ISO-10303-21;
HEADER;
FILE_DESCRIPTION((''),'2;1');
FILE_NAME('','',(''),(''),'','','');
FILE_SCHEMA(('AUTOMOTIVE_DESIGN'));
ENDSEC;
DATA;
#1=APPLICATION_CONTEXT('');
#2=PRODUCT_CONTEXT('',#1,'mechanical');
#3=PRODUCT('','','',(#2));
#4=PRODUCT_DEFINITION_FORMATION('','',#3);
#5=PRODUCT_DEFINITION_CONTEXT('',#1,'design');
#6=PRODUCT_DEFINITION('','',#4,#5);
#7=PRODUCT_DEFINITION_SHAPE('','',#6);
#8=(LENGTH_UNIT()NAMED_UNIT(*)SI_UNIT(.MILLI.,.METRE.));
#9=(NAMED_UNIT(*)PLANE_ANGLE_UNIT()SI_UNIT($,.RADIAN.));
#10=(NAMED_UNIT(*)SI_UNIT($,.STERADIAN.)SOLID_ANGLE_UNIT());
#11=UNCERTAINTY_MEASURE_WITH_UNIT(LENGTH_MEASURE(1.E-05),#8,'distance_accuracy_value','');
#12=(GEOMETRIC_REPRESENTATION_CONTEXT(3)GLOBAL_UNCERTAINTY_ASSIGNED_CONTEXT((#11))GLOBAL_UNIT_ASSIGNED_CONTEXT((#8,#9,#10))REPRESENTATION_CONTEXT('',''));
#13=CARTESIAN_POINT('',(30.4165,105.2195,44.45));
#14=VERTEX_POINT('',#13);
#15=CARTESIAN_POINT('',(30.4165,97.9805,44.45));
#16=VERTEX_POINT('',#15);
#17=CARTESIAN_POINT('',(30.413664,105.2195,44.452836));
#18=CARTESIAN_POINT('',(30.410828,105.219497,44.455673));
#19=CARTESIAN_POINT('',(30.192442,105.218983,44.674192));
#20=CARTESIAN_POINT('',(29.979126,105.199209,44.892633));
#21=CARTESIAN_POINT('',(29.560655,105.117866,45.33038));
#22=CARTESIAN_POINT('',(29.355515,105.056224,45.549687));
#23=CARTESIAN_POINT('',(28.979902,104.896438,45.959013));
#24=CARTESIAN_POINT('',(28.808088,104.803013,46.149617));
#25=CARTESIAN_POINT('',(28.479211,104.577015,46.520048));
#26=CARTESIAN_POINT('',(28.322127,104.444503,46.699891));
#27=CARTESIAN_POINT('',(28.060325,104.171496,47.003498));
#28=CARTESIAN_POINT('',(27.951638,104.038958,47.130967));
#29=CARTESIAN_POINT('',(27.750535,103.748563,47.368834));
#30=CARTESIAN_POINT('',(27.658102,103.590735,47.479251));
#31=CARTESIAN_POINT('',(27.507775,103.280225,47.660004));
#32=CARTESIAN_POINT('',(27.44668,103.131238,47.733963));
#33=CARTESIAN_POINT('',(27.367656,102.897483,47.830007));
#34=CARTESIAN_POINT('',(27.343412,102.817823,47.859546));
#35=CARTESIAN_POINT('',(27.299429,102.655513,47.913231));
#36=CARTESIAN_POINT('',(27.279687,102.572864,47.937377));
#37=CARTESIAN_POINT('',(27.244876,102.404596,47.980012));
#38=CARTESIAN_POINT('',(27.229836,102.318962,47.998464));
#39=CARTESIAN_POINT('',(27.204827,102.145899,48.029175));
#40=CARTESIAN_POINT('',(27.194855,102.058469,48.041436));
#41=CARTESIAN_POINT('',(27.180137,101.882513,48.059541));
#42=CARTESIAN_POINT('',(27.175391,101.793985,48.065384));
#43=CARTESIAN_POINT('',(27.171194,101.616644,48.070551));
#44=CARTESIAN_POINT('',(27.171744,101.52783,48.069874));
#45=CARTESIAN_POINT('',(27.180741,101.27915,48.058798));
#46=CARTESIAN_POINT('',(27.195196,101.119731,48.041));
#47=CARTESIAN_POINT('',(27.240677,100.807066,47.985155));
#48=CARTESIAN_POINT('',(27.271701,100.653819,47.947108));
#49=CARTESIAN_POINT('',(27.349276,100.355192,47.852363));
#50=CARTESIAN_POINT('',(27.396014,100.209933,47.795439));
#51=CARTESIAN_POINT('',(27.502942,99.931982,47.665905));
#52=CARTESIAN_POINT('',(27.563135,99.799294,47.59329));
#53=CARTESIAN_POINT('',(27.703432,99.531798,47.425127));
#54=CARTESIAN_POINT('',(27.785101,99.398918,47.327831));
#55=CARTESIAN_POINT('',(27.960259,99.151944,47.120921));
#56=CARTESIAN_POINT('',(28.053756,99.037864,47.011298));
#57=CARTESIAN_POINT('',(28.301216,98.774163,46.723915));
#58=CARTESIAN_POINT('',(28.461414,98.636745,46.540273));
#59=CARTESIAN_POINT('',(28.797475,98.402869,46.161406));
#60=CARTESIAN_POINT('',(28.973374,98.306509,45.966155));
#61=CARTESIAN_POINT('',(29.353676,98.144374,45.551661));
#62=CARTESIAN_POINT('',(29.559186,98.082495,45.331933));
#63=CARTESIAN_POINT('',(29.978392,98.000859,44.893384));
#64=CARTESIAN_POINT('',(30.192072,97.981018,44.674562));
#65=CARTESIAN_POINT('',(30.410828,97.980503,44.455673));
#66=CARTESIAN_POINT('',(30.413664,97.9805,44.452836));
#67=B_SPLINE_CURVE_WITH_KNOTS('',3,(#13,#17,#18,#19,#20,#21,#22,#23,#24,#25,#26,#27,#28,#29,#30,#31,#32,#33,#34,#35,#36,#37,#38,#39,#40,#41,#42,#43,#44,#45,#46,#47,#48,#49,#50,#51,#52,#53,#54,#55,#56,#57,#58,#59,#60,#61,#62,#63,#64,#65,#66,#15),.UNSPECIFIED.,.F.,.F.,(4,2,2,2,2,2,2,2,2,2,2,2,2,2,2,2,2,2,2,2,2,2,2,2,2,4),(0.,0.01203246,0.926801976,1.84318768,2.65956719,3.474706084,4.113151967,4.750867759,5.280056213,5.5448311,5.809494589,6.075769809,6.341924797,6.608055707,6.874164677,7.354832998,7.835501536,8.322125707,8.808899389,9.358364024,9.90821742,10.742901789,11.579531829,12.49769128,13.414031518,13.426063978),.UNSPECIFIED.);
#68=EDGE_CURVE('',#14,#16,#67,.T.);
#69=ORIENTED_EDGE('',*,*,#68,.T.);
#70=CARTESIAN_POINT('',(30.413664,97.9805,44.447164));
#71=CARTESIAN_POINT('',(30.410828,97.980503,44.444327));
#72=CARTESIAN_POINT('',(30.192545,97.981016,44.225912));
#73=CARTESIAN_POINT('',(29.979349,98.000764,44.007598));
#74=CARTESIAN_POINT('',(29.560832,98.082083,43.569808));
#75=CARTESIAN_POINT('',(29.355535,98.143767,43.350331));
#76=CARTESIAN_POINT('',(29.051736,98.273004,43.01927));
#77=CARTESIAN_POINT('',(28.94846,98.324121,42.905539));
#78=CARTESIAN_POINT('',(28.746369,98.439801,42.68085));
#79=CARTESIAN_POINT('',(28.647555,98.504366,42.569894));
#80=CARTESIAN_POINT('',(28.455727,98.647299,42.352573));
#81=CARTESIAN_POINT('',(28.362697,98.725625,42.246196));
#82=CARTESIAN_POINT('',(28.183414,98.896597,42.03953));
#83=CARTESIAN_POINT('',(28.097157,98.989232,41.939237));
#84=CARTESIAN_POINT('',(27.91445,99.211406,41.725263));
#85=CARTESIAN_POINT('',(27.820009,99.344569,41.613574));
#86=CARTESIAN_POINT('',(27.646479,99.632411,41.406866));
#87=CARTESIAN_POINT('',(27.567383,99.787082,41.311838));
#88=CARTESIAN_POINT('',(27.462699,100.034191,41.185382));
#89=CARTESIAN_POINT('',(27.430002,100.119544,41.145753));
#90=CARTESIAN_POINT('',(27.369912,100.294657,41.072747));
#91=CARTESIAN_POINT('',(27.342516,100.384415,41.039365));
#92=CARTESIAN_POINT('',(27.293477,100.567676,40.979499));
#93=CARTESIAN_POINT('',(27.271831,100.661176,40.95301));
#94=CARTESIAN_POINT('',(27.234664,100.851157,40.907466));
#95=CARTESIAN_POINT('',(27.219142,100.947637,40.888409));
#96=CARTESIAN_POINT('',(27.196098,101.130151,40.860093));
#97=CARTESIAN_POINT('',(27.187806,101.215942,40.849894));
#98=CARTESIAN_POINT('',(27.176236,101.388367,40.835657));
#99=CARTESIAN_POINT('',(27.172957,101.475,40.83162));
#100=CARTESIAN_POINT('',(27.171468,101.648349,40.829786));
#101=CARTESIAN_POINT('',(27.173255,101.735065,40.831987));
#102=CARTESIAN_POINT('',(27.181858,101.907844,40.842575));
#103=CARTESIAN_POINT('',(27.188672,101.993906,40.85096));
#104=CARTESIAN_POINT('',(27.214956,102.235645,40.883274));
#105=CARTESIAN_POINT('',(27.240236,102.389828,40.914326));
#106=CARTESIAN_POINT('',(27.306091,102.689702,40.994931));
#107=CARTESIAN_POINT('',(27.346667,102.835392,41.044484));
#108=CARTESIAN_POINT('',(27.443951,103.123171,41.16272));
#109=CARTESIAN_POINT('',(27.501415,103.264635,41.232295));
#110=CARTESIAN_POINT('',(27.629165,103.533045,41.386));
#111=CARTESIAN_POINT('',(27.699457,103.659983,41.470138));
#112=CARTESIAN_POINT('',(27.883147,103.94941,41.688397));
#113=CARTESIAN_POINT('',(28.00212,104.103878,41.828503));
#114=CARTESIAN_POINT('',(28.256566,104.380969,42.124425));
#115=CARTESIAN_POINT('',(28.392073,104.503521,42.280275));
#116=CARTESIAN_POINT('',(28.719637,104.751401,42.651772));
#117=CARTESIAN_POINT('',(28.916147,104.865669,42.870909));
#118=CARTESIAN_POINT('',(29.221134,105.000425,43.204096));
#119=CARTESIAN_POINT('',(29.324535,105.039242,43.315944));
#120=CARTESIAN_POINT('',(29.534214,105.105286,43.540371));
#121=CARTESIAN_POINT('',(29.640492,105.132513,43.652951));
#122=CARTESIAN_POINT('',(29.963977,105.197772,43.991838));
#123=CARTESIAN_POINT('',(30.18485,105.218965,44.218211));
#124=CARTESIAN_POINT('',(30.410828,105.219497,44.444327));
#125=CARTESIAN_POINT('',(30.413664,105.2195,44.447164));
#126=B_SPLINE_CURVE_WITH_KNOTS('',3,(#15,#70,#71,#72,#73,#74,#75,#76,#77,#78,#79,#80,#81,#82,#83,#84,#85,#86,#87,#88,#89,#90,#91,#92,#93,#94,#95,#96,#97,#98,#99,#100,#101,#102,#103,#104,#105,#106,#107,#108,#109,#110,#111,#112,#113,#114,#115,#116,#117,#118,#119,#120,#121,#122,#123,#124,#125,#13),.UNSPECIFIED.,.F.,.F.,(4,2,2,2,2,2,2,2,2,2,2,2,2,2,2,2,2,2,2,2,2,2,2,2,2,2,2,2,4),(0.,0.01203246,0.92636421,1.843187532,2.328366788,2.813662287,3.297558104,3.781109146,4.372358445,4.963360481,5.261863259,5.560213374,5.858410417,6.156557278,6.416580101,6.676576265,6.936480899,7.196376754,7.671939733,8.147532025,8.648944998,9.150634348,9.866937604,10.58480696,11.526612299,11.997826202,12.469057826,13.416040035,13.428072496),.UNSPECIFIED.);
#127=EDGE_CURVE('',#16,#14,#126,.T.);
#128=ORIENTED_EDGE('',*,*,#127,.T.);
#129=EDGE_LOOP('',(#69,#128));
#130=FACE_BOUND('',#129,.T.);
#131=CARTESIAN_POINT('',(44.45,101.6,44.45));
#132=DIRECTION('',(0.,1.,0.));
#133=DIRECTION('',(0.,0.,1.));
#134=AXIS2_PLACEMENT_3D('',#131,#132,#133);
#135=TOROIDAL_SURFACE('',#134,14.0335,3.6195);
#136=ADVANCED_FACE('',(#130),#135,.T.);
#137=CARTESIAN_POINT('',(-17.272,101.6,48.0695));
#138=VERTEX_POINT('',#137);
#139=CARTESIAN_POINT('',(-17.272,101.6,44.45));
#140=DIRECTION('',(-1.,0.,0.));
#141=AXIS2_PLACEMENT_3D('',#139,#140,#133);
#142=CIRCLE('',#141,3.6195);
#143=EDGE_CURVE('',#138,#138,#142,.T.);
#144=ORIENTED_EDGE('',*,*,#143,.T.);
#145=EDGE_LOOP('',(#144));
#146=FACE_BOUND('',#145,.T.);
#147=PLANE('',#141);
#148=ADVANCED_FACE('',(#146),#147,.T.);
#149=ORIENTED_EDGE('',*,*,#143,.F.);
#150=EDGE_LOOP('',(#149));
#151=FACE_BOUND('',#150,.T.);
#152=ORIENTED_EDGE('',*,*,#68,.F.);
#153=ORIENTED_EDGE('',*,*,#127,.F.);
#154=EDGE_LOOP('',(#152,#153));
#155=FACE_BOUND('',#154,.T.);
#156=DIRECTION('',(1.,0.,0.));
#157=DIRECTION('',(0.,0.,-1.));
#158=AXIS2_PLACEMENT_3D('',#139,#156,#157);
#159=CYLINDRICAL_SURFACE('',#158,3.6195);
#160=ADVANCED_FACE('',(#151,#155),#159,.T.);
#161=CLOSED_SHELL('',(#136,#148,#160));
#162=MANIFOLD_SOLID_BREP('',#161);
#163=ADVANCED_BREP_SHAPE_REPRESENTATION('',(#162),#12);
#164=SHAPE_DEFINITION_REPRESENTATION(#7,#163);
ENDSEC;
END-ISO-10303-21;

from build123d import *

# Parameters (mm, degrees)
SKETCH2_R                       = 3.6195
BOSS_EXTRUDE1_REACH             = 139.057
SKETCH3_R                       = 3.6195
BOSS_EXTRUDE1_DIRECTION_2_DEPTH = 17.272


with BuildPart() as part:
    # Sketch2 → Revolve1 (revolve)
    with BuildSketch(Plane(origin=(44.45, 0, 0), x_dir=(0, 1, 0), z_dir=(-1, 0, 0)), mode=Mode.PRIVATE) as revolve1_sk:
        with Locations((101.6, -30.4165)):
            Circle(SKETCH2_R)
    revolve(revolve1_sk.sketch.rotate(Axis((44.45, 114.3, 44.45), (0, -1, 0)), 180), axis=Axis((44.45, 114.3, 44.45), (0, -1, 0)))

    # Sketch3 → Boss-Extrude1 (add, up to next)
    with BuildSketch(Plane.ZY, mode=Mode.PRIVATE) as boss_extrude1_sk1:
        with Locations(Location((44.45, 101.6, 0), (0, 0, 270))):
            Circle(SKETCH3_R)
    boss_extrude1_tool1 = extrude(boss_extrude1_sk1.sketch, amount=-BOSS_EXTRUDE1_REACH, mode=Mode.PRIVATE) - part.part
    add(boss_extrude1_tool1.solids().sort_by_distance((0, 101.6, 44.45))[0])

    # Sketch3 → Boss-Extrude1 direction 2 (add)
    with BuildSketch(Plane.ZY):
        with Locations(Location((44.45, 101.6, 0), (0, 0, 270))):
            Circle(SKETCH3_R)
    extrude(amount=BOSS_EXTRUDE1_DIRECTION_2_DEPTH)


solid = part.part
